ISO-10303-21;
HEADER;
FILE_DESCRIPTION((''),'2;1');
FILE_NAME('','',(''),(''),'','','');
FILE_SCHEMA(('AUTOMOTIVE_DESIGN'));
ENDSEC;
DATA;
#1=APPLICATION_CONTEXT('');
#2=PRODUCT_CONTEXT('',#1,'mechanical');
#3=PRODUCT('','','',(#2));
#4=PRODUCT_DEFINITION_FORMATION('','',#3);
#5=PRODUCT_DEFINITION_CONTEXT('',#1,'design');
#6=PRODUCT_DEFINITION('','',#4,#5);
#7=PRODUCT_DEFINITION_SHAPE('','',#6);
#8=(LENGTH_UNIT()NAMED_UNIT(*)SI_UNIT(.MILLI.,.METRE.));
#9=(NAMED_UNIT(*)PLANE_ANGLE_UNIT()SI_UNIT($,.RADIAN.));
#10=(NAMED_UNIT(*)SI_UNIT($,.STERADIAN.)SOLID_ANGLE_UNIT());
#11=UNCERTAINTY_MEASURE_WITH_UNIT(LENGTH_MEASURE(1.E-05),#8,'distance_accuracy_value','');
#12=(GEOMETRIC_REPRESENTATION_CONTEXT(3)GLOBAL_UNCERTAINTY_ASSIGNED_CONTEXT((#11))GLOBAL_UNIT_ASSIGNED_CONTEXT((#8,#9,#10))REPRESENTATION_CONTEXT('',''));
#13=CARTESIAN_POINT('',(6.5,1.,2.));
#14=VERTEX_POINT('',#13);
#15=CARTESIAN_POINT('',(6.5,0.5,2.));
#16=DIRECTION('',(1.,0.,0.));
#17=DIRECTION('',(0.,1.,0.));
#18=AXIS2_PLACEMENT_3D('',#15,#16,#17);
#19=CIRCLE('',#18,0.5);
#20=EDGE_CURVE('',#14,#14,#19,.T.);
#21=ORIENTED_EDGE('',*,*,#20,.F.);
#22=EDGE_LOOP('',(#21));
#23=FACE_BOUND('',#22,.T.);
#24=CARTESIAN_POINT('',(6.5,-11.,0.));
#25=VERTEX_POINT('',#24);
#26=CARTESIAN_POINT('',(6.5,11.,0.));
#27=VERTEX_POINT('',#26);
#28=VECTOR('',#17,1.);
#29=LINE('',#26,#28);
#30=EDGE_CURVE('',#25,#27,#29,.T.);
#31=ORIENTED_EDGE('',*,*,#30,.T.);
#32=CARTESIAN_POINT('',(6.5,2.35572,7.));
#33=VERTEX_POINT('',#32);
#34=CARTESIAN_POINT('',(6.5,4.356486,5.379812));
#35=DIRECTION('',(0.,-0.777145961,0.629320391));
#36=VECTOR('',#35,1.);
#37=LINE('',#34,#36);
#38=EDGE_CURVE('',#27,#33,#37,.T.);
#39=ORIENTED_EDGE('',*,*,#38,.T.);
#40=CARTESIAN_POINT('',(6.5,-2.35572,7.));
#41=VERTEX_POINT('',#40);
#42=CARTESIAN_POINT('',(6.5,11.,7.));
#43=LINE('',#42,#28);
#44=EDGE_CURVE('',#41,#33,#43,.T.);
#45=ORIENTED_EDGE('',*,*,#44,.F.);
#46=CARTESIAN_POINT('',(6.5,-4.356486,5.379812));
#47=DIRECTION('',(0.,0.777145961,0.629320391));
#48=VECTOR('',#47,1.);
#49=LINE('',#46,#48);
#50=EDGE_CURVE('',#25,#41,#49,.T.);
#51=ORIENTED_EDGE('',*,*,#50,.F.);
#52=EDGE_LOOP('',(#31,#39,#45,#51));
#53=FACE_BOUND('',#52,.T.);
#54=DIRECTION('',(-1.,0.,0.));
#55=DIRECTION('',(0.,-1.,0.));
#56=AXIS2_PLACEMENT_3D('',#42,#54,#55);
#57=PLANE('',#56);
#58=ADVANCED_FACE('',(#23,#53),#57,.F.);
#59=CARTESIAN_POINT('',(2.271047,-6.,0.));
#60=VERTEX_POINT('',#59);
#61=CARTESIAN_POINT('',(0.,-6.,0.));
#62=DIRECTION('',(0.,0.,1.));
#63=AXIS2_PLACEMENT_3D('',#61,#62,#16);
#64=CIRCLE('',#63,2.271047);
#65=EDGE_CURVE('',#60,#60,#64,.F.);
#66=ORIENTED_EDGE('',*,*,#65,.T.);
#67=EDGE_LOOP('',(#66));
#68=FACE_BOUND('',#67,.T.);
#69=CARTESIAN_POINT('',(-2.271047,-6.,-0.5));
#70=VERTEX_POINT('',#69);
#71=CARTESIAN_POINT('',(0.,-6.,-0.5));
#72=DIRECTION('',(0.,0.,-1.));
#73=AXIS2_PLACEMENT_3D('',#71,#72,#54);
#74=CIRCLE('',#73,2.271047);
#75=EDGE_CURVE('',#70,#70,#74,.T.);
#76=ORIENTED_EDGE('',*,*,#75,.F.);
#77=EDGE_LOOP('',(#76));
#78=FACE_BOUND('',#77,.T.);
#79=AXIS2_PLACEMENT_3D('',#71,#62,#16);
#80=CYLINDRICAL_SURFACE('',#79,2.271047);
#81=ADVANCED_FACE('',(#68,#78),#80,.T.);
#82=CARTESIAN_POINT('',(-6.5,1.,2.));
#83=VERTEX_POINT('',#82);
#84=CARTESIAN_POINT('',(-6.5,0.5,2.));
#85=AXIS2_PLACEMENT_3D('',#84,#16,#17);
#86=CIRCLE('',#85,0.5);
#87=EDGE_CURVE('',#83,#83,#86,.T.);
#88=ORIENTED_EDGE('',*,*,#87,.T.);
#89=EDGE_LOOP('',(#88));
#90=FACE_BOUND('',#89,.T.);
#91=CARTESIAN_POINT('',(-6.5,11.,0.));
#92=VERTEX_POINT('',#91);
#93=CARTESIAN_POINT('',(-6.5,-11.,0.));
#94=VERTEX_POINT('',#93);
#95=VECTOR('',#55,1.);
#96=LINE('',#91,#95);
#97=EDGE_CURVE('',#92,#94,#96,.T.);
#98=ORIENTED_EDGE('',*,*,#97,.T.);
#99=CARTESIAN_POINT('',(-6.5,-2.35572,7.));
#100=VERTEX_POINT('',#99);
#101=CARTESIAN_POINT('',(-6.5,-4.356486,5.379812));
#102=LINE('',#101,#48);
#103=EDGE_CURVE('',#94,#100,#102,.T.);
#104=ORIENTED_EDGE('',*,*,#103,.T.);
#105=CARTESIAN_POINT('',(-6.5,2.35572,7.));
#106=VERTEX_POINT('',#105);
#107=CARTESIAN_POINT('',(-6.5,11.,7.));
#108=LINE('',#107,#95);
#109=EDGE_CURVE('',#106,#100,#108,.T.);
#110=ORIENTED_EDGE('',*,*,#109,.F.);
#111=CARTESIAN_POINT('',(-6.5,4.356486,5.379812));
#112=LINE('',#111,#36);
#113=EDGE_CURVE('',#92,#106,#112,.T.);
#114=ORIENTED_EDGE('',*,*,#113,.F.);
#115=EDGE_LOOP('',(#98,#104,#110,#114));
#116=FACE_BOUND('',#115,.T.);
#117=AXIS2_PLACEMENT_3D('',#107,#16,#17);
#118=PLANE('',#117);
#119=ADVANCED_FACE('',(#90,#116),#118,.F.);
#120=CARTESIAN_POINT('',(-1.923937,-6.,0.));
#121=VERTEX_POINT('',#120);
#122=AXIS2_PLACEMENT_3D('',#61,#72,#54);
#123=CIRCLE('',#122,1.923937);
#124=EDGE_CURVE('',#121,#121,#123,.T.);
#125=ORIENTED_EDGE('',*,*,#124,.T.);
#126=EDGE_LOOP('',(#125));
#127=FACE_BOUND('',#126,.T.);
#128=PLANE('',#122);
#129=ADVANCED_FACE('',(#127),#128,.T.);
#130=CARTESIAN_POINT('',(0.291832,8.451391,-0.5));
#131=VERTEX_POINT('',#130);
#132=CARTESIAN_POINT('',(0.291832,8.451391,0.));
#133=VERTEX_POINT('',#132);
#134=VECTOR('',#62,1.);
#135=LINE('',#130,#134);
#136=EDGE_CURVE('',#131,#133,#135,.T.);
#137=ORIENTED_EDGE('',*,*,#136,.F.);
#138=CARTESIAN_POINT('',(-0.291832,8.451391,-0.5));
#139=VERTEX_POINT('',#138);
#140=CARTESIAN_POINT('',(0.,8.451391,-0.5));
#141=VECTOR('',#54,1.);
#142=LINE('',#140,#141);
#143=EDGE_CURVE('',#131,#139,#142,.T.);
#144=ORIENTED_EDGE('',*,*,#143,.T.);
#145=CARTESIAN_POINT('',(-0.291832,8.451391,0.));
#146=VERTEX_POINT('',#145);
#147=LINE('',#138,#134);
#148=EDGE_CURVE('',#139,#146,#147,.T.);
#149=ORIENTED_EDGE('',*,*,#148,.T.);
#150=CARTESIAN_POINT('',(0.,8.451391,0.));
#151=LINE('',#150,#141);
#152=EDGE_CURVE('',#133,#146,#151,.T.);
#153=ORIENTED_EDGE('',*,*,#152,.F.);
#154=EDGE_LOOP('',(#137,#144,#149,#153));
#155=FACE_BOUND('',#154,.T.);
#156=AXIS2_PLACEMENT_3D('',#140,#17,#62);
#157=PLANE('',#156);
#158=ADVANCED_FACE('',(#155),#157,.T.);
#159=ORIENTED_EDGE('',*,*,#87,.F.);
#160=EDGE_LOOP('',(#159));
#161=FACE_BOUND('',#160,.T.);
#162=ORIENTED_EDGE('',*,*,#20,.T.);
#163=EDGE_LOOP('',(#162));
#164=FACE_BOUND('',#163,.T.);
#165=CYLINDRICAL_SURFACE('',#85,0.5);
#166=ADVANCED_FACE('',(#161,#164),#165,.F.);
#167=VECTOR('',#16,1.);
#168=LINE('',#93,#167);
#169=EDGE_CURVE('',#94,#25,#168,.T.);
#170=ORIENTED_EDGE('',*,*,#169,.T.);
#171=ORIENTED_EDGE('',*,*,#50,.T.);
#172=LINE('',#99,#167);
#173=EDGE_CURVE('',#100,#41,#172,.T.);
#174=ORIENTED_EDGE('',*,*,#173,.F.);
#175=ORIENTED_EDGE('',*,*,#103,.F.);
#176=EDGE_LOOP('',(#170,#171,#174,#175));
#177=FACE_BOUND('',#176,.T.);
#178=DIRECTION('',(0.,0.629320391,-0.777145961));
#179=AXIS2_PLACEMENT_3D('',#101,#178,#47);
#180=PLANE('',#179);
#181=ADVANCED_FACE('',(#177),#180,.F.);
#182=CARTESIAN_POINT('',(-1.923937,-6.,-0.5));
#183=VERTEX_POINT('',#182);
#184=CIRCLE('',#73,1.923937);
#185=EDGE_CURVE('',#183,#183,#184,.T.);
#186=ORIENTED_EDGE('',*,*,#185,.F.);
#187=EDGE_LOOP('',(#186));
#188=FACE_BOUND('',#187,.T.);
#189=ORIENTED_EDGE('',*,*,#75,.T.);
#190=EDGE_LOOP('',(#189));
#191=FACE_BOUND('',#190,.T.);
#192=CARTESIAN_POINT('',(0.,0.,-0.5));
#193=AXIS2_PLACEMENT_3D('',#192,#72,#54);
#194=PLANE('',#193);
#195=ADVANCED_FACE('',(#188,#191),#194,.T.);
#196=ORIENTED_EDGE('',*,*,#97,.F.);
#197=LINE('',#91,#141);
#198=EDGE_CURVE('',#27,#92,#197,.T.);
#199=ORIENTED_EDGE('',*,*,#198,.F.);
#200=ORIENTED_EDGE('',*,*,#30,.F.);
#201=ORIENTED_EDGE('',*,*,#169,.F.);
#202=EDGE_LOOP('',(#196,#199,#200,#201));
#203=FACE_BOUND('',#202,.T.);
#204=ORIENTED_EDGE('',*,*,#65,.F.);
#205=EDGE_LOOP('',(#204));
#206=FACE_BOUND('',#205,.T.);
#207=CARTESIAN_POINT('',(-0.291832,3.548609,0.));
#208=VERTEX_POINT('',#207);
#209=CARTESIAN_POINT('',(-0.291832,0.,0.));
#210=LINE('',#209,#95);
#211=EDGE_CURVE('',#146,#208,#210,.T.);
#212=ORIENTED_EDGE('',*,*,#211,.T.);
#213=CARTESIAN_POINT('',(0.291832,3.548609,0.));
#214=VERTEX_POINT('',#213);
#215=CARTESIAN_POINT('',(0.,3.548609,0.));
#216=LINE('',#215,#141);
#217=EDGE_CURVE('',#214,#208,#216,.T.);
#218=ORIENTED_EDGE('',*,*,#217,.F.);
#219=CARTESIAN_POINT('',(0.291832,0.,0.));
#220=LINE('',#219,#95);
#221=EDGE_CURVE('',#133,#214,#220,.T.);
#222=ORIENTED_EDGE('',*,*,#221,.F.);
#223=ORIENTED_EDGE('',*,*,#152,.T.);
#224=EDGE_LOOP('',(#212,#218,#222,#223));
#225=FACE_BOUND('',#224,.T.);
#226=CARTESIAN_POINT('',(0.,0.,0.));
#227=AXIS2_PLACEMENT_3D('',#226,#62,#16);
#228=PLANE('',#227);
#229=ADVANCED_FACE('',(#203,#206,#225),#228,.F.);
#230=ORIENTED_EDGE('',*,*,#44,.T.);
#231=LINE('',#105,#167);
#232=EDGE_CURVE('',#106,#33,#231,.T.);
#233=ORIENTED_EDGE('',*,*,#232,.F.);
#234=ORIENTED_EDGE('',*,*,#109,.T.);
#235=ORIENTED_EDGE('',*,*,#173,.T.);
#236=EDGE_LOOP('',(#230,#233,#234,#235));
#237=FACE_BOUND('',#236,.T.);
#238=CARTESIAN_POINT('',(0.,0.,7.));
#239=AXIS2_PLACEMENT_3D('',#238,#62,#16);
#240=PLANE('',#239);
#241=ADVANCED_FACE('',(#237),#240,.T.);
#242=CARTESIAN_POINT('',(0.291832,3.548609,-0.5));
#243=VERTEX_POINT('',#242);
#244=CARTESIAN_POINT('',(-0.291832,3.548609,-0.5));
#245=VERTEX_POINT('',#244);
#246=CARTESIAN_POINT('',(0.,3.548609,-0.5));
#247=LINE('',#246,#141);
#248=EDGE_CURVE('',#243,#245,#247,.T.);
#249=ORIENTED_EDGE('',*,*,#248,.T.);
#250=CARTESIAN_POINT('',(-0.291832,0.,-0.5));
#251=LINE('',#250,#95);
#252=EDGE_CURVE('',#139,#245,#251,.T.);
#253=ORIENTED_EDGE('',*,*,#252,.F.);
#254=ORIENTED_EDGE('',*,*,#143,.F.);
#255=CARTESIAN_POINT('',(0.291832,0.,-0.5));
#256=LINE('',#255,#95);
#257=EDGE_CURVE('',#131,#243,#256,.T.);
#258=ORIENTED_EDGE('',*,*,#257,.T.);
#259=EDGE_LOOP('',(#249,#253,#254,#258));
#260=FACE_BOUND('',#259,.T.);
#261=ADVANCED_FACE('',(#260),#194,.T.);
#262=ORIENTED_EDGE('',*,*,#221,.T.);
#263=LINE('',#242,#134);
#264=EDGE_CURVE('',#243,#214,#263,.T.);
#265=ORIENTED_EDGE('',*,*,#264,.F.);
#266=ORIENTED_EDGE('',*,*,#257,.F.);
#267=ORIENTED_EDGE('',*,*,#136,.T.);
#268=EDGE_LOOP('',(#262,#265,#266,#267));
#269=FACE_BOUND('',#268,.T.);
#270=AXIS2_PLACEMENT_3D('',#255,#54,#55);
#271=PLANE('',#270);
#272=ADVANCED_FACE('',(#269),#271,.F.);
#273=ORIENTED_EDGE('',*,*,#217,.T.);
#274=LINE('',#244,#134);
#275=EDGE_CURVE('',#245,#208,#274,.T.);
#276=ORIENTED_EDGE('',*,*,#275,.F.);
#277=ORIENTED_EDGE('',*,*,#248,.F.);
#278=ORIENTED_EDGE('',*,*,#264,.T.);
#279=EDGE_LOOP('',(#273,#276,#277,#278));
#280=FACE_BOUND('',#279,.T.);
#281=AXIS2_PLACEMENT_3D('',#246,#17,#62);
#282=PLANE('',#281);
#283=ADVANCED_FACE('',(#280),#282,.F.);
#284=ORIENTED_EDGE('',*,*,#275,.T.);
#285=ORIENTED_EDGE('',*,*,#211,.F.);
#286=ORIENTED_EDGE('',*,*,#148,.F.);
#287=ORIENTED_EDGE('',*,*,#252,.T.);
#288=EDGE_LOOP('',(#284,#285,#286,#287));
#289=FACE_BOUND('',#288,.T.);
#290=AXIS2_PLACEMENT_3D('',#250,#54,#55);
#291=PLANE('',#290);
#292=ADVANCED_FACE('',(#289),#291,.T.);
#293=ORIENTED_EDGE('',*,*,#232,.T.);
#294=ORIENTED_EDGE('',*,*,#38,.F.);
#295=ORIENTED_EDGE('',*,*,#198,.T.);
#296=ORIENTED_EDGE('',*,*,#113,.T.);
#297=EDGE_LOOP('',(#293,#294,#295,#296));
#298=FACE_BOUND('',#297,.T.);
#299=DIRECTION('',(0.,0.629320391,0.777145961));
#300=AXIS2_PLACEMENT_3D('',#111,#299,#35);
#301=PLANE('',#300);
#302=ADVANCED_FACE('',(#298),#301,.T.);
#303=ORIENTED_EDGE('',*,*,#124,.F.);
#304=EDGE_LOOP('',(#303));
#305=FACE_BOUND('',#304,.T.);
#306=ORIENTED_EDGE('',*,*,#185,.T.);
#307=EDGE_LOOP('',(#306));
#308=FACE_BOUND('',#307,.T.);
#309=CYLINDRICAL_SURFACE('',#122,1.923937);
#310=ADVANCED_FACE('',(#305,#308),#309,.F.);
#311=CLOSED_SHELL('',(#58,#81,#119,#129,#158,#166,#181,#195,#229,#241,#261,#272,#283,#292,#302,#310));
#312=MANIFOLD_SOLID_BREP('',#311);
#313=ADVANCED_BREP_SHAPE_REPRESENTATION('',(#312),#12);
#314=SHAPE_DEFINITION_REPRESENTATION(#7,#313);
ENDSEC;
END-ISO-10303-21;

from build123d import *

# Parameters (mm, degrees)
IZIM1_W                     = 13
IZIM1_H                     = 22
Y_KSEKLIK_EKSTR_ZYON1_DEPTH = 7
KES_EKSTR_ZYON1_DEPTH       = 19.41195264
IZIM3_W                     = 0.583664442
IZIM3_H                     = 4.902781318
IZIM3_R                     = 2.271047272
Y_KSEKLIK_EKSTR_ZYON2_DEPTH = 0.5
IZIM4_R                     = 1.923937322
KES_EKSTR_ZYON2_DEPTH       = 0.5
IZIM5_R                     = 0.5
KES_EKSTR_ZYON3_DEPTH       = 19.41195264


with BuildPart() as part:
    # Çizim1 → Yükseklik-Ekstrüzyon1 (new body)
    with BuildSketch(Plane.XY):
        Rectangle(IZIM1_W, IZIM1_H)
    extrude(amount=Y_KSEKLIK_EKSTR_ZYON1_DEPTH)

    # Çizim2 → Kes-Ekstrüzyon1 (cut, through all)
    with BuildSketch(Plane(origin=(6.5, 0, 0), x_dir=(0, 0, -1), z_dir=(1, 0, 0))):
        Polygon((-7, 2.355719904), (0, 11), (-7, 11), align=None)
        Polygon((0, -11), (-7, -2.355719904), (-7, -11), align=None)
    extrude(amount=-KES_EKSTR_ZYON1_DEPTH, mode=Mode.SUBTRACT)

    # Çizim3 → Yükseklik-Ekstrüzyon2 (add)
    with BuildSketch(Plane(origin=(0, 0, 0), x_dir=(-1, 0, 0), z_dir=(0, 0, -1))):
        with Locations((0, 6)):
            Rectangle(IZIM3_W, IZIM3_H)
        with Locations(Location((0, -6, 0), (0, 0, 180))):
            Circle(IZIM3_R)
    extrude(amount=Y_KSEKLIK_EKSTR_ZYON2_DEPTH)

    # Çizim4 → Kes-Ekstrüzyon2 (cut)
    with BuildSketch(Plane(origin=(0, 0, -0.5), x_dir=(-1, 0, 0), z_dir=(0, 0, -1))):
        with Locations((0, -6)):
            Circle(IZIM4_R)
    extrude(amount=-KES_EKSTR_ZYON2_DEPTH, mode=Mode.SUBTRACT)

    # Çizim5 → Kes-Ekstrüzyon3 (cut, through all)
    with BuildSketch(Plane(origin=(6.5, 0, 0), x_dir=(0, 0, -1), z_dir=(1, 0, 0))):
        with Locations(Location((-2, 0.5, 0), (0, 0, 90))):
            Circle(IZIM5_R)
    extrude(amount=-KES_EKSTR_ZYON3_DEPTH, mode=Mode.SUBTRACT)


solid = part.part
